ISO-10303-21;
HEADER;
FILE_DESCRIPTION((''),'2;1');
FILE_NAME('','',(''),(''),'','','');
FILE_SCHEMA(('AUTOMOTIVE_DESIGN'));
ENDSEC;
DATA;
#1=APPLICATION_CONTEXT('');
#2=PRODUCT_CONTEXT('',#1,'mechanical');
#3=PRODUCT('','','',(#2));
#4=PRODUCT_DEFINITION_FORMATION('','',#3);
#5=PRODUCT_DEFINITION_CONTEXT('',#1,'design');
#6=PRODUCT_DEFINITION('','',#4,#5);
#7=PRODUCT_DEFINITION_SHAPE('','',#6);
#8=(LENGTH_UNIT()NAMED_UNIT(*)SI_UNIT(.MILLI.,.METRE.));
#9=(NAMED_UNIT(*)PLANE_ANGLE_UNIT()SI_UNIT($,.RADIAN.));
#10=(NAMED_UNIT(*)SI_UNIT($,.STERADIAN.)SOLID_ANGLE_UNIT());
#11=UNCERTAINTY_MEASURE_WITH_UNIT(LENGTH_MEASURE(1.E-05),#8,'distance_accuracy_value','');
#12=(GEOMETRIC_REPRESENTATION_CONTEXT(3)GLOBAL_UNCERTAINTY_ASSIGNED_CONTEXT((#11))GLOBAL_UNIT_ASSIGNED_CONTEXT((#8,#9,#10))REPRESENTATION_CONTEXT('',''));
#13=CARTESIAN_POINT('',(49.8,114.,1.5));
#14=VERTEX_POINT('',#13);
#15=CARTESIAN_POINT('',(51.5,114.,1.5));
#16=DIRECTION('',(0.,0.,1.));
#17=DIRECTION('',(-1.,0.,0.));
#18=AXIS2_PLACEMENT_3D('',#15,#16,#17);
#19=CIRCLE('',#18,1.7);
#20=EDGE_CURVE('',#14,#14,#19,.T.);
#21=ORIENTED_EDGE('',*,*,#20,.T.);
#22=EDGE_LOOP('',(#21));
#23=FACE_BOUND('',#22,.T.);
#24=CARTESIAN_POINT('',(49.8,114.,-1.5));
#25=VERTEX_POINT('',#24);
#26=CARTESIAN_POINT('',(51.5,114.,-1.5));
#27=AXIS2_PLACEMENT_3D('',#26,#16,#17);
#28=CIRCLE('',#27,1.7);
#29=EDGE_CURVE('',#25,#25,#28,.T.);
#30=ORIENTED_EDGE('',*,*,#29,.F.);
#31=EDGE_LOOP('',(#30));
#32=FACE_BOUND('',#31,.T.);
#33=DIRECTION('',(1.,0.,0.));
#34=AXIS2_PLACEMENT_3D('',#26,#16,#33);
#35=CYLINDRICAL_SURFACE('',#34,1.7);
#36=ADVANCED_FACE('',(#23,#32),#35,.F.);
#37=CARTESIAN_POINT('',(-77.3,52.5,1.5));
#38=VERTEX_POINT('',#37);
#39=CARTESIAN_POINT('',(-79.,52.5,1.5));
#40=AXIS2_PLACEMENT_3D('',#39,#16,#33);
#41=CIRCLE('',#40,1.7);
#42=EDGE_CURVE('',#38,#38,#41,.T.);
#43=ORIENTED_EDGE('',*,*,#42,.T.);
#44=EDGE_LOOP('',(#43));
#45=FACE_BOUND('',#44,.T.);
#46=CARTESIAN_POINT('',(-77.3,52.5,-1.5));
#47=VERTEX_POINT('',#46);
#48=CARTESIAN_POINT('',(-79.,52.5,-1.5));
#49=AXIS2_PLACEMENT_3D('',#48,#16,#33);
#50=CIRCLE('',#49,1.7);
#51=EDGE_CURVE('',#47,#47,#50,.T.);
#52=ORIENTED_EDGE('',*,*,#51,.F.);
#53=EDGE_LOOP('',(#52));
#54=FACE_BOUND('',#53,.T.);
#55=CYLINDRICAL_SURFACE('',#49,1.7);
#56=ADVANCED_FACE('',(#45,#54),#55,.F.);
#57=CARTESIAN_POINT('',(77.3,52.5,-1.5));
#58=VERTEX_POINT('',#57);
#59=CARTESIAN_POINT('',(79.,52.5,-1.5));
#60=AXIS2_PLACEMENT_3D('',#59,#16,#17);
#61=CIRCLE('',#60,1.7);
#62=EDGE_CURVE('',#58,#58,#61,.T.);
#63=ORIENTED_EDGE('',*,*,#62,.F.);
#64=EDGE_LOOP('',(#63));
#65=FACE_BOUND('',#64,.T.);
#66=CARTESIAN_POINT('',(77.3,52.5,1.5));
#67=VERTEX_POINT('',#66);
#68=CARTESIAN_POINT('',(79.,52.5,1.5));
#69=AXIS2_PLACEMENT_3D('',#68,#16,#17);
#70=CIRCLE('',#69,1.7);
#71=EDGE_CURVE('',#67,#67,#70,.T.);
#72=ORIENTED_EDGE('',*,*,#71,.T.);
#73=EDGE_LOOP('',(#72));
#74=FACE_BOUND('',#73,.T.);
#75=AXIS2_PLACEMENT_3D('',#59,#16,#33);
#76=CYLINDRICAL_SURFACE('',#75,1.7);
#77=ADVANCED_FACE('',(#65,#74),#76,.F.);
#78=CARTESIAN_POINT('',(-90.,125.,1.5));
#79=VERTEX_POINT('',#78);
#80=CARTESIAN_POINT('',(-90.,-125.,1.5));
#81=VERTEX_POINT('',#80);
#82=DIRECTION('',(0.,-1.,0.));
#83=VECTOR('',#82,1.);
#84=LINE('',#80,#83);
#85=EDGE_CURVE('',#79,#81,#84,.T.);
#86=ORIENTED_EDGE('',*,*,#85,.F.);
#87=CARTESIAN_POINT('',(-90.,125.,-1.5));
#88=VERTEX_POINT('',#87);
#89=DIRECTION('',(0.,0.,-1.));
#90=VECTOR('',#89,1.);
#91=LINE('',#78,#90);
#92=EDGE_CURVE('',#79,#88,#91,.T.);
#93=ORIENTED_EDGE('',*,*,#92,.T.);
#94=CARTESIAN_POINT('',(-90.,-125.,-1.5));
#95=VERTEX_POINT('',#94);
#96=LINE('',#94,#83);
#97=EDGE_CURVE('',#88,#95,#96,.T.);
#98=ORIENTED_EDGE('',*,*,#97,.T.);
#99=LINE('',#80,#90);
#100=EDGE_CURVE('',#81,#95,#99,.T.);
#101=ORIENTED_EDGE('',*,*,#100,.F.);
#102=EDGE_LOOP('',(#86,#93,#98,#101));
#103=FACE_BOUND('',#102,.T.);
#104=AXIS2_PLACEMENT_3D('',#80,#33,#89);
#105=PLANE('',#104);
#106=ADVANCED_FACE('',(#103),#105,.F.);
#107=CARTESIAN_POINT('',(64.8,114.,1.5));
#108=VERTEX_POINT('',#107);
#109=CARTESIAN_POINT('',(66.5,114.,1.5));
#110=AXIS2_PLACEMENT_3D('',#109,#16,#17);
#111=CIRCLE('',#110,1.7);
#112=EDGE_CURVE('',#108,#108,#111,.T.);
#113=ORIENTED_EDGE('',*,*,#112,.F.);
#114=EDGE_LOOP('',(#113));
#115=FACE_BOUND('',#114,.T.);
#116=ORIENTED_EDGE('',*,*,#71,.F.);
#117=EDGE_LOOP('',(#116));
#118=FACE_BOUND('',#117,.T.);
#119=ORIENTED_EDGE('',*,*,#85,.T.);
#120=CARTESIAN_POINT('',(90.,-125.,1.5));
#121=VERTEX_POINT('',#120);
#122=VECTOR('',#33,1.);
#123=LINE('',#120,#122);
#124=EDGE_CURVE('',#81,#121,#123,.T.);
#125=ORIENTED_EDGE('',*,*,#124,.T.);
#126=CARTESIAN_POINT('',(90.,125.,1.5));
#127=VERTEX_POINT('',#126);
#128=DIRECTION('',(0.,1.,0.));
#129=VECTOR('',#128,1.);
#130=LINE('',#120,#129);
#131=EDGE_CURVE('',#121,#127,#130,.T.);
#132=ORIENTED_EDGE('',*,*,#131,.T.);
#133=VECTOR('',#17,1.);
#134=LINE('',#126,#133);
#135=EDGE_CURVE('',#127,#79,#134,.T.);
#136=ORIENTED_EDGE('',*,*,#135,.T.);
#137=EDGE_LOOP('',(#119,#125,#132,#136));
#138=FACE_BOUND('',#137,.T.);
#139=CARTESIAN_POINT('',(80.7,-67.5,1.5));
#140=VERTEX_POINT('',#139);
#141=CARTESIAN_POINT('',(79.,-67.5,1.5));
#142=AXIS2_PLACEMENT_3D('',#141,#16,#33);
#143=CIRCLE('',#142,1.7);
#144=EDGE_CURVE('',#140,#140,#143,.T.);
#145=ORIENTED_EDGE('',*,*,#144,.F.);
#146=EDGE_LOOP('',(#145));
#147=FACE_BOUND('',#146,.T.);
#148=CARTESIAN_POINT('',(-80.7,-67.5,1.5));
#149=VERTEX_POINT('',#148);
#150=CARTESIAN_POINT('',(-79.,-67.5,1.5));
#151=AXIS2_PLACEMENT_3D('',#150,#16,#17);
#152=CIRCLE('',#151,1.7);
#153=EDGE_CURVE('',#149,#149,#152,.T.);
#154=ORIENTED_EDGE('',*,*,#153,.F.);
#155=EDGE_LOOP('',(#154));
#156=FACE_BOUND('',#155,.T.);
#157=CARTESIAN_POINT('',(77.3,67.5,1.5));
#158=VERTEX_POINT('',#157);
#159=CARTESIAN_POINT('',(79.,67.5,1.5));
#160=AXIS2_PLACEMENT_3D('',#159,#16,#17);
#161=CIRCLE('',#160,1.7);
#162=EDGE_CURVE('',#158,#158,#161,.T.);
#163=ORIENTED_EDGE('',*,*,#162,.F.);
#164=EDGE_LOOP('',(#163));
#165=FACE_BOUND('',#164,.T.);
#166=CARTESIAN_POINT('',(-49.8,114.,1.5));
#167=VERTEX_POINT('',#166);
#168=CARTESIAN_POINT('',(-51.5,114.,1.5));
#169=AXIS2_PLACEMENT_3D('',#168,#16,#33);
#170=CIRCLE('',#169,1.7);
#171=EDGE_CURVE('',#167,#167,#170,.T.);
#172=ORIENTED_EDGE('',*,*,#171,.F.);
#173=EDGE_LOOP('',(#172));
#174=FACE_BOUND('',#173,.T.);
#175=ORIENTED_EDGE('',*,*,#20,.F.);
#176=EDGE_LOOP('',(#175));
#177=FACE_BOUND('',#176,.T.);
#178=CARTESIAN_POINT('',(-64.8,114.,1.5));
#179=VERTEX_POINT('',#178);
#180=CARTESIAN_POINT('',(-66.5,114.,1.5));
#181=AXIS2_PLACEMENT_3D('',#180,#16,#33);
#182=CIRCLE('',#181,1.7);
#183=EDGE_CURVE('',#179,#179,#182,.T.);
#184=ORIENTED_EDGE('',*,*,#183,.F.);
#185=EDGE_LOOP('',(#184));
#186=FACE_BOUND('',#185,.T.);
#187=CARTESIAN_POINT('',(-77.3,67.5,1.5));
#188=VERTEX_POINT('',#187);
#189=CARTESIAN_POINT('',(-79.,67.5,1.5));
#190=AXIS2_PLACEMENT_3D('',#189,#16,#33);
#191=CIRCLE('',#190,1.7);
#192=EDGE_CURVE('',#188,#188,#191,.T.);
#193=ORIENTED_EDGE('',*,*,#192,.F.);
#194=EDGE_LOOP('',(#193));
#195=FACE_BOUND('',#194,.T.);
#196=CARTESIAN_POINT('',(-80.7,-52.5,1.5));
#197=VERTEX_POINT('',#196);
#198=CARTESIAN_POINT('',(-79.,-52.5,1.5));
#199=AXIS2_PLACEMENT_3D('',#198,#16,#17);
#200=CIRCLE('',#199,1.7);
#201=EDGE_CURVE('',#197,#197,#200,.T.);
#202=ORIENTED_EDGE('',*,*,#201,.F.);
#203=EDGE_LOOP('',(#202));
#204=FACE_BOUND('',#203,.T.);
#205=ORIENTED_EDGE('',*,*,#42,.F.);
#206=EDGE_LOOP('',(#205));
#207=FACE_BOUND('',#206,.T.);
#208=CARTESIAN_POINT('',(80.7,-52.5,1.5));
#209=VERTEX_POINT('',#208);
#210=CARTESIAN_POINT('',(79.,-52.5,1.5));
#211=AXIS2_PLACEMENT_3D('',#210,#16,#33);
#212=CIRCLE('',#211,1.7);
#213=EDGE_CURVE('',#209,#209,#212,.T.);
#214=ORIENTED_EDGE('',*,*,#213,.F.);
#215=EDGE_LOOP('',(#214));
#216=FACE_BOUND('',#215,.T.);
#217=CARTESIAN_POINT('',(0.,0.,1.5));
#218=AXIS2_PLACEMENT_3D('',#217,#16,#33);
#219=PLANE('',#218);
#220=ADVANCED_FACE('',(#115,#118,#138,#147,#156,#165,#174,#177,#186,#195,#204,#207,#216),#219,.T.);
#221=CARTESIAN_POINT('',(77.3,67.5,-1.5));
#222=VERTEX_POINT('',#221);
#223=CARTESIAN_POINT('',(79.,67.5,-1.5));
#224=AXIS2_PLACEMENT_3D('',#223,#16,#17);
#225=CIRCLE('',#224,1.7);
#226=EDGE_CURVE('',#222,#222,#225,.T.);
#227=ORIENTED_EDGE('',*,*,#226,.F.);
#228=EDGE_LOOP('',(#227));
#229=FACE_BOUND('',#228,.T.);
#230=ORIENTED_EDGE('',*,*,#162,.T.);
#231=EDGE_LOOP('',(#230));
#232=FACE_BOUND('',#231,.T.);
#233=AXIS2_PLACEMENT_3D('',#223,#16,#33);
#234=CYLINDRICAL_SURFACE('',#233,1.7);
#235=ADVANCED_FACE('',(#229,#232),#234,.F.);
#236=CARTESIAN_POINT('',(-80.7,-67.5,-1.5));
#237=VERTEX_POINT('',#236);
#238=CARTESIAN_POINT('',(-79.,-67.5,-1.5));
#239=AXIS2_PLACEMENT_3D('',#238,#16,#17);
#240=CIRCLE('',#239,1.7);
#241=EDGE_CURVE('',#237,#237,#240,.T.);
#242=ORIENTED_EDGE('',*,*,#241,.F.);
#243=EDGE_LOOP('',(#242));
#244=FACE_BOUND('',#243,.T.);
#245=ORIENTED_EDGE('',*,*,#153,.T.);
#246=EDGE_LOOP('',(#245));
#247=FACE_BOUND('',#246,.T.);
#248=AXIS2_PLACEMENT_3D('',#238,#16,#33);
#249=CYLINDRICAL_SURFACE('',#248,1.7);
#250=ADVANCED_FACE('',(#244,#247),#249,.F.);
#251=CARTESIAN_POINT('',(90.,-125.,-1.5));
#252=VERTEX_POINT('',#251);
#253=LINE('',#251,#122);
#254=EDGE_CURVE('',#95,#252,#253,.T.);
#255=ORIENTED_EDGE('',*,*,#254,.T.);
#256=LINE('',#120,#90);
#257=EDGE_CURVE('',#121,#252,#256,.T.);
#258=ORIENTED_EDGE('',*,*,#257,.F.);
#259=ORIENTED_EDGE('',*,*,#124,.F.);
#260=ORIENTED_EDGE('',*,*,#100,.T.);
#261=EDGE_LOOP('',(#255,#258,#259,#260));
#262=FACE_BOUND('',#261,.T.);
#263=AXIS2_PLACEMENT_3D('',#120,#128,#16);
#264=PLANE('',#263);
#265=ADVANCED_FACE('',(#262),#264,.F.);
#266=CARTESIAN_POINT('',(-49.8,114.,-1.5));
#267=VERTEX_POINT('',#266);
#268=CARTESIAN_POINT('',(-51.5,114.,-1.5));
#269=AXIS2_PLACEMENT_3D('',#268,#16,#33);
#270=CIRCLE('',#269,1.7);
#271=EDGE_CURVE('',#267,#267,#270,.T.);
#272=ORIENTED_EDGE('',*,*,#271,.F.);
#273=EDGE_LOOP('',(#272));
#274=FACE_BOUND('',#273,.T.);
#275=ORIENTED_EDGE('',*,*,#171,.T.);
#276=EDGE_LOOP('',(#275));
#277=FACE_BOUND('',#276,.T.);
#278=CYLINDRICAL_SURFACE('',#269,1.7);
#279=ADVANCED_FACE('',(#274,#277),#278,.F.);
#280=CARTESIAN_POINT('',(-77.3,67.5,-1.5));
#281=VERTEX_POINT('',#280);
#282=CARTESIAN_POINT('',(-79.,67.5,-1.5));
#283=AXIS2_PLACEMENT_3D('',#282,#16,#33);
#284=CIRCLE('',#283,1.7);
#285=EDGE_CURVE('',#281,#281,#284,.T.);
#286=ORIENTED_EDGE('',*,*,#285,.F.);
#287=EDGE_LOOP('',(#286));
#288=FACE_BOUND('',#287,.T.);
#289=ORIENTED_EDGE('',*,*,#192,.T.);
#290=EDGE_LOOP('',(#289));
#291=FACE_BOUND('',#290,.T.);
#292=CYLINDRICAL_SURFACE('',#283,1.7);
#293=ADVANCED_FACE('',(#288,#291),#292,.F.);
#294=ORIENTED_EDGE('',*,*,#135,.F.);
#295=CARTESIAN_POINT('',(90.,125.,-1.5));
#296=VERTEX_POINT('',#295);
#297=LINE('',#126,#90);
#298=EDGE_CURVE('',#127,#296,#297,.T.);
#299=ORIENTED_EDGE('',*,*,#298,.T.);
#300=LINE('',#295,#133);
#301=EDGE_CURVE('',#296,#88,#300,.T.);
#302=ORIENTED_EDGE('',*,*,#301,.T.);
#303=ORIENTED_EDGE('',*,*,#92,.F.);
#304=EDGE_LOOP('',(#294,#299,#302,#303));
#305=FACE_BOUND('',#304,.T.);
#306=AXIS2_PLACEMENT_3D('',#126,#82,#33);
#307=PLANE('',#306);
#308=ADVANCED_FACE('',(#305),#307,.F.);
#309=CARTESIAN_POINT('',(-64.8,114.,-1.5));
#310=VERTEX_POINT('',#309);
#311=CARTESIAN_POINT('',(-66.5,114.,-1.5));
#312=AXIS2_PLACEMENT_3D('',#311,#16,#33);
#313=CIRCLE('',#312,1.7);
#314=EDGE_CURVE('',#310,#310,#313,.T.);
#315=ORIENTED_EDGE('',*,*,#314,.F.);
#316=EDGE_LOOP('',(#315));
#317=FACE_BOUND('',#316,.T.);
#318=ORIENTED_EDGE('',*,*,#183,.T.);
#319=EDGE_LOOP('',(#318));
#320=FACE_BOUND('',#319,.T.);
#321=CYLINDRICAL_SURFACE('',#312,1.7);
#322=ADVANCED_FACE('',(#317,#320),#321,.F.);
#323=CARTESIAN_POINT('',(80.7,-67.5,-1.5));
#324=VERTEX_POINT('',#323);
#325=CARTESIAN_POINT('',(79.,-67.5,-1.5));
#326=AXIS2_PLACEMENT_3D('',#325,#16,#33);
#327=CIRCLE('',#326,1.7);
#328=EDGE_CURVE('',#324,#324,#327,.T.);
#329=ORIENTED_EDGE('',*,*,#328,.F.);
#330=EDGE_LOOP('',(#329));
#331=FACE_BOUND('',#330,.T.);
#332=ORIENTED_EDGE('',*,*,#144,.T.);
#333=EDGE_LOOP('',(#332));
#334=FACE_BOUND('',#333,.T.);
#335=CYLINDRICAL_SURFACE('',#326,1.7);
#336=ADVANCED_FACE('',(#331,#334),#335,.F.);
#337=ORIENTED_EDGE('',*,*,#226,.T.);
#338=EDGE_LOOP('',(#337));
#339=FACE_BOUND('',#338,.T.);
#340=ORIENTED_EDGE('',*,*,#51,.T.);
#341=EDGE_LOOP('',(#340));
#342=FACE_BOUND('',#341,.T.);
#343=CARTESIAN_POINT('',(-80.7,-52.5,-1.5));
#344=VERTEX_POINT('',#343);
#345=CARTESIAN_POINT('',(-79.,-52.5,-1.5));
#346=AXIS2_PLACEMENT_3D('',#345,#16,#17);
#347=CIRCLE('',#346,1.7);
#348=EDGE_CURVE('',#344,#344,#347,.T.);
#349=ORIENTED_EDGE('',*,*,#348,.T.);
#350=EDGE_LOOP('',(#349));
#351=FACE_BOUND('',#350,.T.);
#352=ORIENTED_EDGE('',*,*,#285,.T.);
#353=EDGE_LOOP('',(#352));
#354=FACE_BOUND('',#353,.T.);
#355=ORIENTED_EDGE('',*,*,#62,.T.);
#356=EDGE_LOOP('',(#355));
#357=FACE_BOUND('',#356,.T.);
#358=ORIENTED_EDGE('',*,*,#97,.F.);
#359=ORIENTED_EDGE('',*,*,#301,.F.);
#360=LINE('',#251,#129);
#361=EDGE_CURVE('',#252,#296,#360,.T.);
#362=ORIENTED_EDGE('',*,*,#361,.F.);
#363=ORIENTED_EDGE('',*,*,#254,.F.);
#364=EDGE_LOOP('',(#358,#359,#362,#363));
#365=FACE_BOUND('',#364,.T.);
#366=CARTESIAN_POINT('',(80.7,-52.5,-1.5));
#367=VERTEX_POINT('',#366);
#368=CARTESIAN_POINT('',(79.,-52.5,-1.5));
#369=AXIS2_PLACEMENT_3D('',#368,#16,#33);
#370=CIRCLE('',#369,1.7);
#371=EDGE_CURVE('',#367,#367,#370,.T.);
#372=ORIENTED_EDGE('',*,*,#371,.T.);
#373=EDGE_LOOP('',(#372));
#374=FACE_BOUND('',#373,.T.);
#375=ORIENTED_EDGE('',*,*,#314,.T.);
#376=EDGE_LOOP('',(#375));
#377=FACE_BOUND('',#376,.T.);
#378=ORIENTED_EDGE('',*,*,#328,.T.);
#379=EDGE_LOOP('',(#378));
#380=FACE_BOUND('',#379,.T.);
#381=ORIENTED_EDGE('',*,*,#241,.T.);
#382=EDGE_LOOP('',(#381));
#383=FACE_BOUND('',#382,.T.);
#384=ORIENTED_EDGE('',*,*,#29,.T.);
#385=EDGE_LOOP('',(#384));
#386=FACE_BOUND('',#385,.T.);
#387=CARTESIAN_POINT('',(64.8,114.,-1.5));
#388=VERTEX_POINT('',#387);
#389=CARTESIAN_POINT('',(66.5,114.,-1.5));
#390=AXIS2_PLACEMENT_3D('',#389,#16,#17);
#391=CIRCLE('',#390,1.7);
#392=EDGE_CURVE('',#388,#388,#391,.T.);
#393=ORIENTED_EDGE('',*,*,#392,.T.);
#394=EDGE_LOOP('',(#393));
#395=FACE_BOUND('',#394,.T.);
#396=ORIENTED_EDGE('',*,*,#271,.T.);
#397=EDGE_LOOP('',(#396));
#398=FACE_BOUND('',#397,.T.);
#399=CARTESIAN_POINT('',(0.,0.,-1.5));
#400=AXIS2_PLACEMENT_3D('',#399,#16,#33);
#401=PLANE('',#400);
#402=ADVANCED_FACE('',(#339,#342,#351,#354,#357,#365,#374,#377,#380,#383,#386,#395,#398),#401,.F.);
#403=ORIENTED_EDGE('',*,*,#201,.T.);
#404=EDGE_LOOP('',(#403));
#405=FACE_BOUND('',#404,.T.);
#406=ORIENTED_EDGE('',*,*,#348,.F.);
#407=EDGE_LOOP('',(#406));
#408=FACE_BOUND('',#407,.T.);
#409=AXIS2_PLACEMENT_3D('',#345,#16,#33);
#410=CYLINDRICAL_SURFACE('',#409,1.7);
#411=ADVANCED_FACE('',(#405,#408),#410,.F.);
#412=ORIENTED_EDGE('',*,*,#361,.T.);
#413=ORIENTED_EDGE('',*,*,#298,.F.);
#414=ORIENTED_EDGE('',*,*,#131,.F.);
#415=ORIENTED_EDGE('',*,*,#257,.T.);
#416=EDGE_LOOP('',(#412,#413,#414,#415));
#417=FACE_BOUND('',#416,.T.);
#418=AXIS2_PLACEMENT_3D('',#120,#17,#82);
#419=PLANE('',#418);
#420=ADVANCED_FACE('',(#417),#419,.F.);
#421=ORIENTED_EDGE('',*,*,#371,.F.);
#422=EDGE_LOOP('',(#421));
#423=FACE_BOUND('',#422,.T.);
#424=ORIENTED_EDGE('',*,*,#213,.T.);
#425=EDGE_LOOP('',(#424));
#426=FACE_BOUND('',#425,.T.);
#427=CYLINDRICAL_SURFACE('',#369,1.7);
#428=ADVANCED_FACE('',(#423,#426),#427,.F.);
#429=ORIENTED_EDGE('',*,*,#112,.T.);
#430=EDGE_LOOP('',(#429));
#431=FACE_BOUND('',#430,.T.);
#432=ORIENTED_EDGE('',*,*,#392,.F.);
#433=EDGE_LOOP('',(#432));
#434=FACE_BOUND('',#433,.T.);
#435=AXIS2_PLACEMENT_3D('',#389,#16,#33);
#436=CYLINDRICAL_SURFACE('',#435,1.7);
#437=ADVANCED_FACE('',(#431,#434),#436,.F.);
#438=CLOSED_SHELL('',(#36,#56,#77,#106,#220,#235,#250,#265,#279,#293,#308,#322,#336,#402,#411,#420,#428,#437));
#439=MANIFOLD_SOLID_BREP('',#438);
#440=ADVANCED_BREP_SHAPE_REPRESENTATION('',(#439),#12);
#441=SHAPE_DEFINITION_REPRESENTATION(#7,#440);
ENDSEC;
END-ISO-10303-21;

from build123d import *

# Parameters (mm, degrees)
ESQUISSE1_W             = 180
ESQUISSE1_H             = 250
BOSS_EXTRU_1_DEPTH      = 1.5
ESQUISSE2_R             = 1.7
ENL_V_MAT_EXTRU_1_DEPTH = 4
ESQUISSE3_R             = 1.7
ENL_V_MAT_EXTRU_2_DEPTH = 4


with BuildPart() as part:
    # Esquisse1 → Boss.-Extru.1 (new body, symmetric)
    with BuildSketch(Plane.XY):
        Rectangle(ESQUISSE1_W, ESQUISSE1_H)
    extrude(amount=BOSS_EXTRU_1_DEPTH, both=True)

    # Esquisse2 → Enlèv. mat.-Extru.1 (cut, through all)
    with BuildSketch(Plane.XY.offset(1.5)):
        with Locations((-51.5, 114)):
            Circle(ESQUISSE2_R)
        with Locations((-66.5, 114)):
            Circle(ESQUISSE2_R)
        with Locations((51.5, 114)):
            Circle(ESQUISSE2_R)
        with Locations((66.5, 114)):
            Circle(ESQUISSE2_R)
    extrude(amount=-ENL_V_MAT_EXTRU_1_DEPTH, mode=Mode.SUBTRACT)

    # Esquisse3 → Enlèv. mat.-Extru.2 (cut, through all)
    with BuildSketch(Plane.XY.offset(1.5)):
        with Locations((-79, 67.5)):
            Circle(ESQUISSE3_R)
        with Locations((-79, 52.5)):
            Circle(ESQUISSE3_R)
        with Locations((-79, -52.5)):
            Circle(ESQUISSE3_R)
        with Locations((-79, -67.5)):
            Circle(ESQUISSE3_R)
        with Locations((79, -67.5)):
            Circle(ESQUISSE3_R)
        with Locations((79, -52.5)):
            Circle(ESQUISSE3_R)
        with Locations((79, 52.5)):
            Circle(ESQUISSE3_R)
        with Locations((79, 67.5)):
            Circle(ESQUISSE3_R)
    extrude(amount=-ENL_V_MAT_EXTRU_2_DEPTH, mode=Mode.SUBTRACT)


solid = part.part
